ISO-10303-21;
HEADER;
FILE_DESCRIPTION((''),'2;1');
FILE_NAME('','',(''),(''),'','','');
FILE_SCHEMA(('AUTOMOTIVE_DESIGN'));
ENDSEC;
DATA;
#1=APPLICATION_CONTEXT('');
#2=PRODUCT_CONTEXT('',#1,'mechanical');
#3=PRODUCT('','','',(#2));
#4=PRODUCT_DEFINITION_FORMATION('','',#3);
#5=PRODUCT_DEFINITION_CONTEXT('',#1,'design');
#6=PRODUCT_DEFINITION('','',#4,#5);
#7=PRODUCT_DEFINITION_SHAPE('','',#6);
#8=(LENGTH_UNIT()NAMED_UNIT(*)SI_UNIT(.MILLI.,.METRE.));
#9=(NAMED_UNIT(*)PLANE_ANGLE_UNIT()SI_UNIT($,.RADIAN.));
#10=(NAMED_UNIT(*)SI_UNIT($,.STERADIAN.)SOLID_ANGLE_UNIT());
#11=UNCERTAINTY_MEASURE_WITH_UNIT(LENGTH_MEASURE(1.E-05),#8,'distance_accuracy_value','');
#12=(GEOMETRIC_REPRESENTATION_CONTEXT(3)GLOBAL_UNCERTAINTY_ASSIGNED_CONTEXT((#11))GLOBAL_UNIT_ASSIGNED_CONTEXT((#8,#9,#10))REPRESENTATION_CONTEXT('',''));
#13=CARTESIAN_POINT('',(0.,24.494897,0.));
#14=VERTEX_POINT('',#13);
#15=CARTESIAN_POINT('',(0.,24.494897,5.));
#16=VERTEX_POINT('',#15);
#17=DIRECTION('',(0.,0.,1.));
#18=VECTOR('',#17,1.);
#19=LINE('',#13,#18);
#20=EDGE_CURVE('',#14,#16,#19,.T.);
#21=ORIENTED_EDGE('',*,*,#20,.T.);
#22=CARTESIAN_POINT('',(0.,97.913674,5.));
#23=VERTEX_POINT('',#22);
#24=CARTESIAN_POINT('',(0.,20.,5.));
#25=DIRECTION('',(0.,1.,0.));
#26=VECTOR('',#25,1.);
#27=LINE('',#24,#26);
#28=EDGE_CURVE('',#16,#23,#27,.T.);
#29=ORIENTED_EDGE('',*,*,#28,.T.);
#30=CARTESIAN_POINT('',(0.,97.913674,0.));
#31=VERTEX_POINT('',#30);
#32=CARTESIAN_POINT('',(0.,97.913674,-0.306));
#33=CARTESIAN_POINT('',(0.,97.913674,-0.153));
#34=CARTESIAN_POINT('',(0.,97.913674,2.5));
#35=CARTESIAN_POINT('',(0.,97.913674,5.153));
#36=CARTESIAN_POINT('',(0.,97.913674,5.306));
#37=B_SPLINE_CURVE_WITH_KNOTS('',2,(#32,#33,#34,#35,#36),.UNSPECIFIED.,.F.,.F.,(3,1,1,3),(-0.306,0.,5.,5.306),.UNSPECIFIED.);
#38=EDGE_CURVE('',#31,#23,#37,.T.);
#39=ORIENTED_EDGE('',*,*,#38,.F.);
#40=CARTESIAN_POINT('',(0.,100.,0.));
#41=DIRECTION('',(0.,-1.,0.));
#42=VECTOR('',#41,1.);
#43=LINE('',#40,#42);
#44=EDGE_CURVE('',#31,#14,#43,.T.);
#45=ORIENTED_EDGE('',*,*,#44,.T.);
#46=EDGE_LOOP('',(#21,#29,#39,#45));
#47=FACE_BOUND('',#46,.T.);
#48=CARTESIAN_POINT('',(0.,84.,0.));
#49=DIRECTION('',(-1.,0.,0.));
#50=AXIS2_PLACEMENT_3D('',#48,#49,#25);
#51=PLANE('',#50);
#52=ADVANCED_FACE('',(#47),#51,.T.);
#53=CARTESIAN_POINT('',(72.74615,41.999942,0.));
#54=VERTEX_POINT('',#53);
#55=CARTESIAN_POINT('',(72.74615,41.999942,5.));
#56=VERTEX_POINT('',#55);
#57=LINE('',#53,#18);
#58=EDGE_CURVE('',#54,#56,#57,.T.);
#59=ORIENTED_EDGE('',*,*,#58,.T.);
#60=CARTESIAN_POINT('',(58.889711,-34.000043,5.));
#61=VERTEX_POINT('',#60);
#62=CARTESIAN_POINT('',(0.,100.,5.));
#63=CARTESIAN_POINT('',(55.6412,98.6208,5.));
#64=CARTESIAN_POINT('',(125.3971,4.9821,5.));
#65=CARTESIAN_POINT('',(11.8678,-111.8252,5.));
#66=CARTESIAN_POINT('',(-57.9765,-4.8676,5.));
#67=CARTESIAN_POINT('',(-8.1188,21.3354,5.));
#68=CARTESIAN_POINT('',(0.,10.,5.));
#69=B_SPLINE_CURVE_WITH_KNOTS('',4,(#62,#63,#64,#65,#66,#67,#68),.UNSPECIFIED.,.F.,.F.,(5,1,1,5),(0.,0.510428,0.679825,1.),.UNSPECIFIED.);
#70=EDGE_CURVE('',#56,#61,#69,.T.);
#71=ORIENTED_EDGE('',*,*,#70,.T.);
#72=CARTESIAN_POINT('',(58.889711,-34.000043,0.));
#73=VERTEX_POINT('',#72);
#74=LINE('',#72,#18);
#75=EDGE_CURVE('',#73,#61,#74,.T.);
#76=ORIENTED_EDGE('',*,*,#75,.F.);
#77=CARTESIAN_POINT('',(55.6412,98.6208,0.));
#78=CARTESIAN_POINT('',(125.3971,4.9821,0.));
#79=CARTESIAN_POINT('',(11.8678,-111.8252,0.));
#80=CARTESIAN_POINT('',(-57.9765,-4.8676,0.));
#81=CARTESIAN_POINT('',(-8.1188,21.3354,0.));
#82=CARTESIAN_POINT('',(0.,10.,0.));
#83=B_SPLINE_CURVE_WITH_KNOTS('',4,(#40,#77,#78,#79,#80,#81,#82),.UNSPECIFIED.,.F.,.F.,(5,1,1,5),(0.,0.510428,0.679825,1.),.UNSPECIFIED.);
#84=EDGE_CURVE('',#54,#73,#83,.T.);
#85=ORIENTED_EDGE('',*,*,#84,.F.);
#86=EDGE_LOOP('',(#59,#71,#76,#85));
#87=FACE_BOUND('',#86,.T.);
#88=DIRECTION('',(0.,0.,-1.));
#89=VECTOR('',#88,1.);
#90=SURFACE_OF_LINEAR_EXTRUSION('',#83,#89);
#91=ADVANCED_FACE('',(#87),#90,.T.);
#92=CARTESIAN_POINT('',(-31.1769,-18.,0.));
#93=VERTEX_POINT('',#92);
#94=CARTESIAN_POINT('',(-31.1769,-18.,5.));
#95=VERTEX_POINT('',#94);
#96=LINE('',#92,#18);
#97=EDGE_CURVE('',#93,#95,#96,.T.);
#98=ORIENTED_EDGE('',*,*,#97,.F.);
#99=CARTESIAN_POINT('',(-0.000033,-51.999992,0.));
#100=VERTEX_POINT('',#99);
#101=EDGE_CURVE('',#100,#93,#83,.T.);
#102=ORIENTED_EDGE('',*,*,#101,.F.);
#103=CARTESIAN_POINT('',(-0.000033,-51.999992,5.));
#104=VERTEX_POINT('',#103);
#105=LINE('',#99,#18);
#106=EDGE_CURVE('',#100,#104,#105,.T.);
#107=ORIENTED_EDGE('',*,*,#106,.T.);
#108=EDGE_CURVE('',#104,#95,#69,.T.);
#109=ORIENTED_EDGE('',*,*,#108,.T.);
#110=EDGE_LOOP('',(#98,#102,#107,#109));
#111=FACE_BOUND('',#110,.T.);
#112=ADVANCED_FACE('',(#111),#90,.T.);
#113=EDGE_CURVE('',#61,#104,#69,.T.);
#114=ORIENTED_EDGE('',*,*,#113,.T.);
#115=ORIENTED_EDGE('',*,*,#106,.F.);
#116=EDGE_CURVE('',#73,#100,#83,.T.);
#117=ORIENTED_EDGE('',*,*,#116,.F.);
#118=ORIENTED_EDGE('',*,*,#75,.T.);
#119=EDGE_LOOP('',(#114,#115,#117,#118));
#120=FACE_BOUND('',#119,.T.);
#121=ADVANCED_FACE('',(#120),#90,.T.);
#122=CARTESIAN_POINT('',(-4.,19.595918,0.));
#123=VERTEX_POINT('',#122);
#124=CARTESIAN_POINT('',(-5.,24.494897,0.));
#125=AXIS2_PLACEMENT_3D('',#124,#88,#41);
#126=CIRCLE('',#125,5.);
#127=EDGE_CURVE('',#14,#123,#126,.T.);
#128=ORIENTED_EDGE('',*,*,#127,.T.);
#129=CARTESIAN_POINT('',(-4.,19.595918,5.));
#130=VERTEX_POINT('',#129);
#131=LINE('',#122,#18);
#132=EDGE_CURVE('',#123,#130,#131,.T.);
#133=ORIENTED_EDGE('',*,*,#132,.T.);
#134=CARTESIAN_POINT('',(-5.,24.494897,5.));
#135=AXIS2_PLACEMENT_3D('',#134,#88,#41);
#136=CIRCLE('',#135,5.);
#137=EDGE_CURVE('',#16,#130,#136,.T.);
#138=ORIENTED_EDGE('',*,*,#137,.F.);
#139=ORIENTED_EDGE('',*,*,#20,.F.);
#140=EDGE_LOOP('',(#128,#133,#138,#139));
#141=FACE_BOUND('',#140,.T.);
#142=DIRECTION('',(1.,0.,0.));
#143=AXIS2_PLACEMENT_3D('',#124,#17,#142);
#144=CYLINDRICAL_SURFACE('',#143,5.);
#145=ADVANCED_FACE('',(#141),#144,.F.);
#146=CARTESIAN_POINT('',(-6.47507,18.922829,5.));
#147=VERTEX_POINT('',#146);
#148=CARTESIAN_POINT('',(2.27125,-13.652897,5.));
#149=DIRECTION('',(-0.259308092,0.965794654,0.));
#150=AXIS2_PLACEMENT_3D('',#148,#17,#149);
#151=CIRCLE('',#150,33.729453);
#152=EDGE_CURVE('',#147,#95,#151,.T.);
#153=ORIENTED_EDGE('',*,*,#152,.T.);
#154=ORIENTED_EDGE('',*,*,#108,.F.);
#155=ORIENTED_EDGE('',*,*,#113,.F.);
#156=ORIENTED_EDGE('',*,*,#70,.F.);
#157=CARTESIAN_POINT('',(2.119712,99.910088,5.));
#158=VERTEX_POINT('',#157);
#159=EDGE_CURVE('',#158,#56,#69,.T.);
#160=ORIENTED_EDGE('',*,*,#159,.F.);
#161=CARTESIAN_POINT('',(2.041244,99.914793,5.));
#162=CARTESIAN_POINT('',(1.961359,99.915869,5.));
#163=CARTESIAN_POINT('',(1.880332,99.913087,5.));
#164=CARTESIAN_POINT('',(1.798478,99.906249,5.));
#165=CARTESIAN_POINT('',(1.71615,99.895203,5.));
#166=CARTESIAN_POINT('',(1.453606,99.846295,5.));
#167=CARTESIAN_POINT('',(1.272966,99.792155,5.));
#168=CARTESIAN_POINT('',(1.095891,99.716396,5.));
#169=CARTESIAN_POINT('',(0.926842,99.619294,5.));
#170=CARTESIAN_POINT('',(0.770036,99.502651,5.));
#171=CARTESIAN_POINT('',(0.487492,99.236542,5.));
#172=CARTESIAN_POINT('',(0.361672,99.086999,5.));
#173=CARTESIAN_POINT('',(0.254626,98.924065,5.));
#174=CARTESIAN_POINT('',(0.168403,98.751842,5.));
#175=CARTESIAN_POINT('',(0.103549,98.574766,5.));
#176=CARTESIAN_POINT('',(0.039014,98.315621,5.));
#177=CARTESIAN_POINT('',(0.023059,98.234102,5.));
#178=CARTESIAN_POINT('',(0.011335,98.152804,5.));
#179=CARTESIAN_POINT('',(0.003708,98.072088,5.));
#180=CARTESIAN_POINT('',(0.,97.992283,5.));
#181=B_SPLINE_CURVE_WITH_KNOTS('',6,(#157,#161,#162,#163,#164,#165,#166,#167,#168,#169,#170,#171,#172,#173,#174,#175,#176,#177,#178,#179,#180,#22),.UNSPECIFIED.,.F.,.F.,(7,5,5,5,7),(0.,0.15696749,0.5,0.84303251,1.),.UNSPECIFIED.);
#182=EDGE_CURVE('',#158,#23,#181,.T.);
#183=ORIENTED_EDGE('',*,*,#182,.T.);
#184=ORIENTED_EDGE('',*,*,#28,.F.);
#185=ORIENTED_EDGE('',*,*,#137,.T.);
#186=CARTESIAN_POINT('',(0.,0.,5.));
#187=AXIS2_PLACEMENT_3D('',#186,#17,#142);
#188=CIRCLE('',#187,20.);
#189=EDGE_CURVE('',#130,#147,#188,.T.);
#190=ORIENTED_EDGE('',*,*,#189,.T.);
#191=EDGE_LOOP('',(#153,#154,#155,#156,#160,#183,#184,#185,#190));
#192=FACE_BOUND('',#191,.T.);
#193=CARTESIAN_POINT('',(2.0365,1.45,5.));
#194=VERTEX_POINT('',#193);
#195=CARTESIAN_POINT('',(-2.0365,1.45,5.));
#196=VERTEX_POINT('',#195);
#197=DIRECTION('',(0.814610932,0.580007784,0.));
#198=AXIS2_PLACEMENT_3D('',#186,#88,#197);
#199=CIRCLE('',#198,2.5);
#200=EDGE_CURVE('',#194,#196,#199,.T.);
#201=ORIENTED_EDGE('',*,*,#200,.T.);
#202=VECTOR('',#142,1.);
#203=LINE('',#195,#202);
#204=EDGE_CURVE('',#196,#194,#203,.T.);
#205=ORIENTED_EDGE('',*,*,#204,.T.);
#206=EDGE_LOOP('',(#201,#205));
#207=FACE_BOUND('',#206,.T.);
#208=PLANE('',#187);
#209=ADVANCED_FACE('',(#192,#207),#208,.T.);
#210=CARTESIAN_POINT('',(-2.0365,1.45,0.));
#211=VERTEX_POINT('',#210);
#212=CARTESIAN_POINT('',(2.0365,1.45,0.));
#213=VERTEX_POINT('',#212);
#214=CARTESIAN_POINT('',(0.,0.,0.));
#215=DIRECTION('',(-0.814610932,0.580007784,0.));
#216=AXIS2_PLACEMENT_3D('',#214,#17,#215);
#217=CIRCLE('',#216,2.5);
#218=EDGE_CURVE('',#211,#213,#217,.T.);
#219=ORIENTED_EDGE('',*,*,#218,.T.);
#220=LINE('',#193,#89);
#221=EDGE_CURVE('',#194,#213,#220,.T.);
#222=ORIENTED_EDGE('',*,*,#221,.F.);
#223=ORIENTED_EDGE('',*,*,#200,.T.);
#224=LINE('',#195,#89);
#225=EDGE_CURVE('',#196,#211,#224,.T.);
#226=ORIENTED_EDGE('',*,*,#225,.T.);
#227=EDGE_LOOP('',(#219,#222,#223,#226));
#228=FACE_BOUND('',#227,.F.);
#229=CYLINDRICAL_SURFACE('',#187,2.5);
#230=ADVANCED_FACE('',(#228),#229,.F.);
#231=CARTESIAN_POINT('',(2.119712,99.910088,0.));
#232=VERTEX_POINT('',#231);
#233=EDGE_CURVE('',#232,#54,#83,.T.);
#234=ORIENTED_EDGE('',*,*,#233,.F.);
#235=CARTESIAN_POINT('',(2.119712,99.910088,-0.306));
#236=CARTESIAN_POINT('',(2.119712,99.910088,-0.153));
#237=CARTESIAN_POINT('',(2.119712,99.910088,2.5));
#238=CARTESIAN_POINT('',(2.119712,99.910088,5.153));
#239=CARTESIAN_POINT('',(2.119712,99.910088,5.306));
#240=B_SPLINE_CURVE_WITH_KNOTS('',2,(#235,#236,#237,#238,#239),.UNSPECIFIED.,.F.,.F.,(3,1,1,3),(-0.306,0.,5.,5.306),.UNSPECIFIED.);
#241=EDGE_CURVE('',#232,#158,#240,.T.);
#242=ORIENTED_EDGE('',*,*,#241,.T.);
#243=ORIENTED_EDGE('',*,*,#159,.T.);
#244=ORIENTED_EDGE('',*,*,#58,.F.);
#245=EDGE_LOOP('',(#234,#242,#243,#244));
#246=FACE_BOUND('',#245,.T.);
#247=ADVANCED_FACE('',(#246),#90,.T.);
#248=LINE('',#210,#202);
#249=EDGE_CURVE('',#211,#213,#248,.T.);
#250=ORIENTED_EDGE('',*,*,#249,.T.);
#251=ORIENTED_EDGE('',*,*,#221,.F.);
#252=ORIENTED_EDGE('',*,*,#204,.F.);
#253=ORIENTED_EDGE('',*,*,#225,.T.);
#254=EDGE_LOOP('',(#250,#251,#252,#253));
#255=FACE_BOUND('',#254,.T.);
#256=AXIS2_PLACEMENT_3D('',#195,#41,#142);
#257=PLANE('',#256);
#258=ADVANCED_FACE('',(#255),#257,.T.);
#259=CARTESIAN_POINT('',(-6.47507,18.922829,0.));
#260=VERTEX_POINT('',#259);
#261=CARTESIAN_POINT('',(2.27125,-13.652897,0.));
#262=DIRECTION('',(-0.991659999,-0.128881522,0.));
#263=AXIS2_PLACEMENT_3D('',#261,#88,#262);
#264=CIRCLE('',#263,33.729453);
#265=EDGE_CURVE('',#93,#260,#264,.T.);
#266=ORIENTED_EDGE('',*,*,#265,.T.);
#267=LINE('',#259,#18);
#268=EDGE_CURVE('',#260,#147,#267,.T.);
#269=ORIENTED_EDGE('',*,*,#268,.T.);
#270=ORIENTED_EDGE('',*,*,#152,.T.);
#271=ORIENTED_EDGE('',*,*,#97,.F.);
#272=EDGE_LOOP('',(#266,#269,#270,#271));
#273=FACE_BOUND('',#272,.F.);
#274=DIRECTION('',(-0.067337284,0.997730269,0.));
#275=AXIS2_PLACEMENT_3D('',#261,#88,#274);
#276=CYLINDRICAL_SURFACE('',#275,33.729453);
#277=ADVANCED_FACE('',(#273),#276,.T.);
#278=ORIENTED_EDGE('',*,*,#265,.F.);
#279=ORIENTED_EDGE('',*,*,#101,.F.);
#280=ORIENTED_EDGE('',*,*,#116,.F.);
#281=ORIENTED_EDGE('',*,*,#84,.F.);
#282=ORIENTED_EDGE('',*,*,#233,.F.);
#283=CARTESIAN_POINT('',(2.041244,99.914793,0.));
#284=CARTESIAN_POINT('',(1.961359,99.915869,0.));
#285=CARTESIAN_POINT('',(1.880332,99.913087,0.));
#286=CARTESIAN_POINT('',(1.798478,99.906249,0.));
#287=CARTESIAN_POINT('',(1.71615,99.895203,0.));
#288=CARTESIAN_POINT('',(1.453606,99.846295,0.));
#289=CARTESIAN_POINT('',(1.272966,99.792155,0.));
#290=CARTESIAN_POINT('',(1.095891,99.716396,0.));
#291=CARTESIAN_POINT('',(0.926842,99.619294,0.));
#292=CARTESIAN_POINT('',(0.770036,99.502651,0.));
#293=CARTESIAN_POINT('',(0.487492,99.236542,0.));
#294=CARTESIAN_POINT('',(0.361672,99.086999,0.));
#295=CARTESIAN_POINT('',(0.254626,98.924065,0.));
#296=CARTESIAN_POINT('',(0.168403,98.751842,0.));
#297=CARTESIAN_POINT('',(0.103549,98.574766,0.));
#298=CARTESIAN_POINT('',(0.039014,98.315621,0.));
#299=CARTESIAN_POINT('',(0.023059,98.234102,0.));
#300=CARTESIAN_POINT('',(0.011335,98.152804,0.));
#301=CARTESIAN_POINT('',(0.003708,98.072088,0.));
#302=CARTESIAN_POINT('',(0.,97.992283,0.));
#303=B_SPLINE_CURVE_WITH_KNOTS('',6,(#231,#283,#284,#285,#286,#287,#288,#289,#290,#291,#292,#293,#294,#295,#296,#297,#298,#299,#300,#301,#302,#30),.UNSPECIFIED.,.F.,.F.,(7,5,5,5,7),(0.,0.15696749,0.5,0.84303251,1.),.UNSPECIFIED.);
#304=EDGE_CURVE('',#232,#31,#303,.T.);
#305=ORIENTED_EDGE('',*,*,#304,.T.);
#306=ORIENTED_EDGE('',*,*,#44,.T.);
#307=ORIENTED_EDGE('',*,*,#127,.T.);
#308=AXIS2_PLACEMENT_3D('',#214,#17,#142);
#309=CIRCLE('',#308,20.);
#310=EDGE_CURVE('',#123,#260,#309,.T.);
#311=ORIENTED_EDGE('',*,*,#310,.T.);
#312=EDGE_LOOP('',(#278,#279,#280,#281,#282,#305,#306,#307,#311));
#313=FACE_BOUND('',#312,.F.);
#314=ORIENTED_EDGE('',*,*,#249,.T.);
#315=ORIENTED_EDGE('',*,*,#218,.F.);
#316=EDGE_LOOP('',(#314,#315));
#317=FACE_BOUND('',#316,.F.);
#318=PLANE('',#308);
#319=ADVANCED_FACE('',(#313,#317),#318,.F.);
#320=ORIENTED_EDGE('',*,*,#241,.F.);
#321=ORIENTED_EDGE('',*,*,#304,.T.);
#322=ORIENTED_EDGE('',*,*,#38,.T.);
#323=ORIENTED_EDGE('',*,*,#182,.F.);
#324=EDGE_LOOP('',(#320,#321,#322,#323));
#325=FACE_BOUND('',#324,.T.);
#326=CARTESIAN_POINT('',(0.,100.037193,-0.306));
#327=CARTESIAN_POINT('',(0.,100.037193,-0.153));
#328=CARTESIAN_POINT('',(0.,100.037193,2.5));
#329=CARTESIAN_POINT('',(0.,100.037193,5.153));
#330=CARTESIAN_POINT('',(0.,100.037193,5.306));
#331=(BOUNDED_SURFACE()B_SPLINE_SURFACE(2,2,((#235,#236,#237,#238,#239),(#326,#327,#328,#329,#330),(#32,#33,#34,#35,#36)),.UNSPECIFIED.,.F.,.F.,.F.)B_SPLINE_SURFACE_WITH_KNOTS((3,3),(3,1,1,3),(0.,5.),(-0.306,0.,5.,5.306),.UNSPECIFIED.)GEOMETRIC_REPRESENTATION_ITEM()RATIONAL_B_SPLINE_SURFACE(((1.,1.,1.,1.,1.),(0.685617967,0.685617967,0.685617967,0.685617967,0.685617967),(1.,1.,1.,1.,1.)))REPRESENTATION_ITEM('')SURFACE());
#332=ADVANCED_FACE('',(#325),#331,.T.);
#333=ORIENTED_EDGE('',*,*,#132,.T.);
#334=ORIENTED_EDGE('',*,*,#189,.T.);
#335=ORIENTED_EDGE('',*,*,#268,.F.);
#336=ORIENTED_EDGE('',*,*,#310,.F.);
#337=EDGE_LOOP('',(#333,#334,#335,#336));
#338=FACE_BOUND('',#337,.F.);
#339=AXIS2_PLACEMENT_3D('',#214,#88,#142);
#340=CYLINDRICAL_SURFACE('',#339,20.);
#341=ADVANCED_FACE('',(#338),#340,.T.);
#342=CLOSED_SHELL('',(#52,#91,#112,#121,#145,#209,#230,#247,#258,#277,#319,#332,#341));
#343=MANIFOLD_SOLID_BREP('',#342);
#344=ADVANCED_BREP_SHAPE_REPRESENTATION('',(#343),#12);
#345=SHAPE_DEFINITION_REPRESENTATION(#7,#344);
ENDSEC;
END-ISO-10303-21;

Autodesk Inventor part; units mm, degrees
ref_plane "YZ Plane" through (0, 0, 0) normal (1, 0, 0) x (0, 1, 0)
ref_plane "XZ Plane" through (0, 0, 0) normal (0, 1, 0) x (-1, 0, 0)
ref_plane "XY Plane" through (0, 0, 0) normal (0, 0, 1) x (1, 0, 0)
sketch "Sketch1" plane through (0, 0, 0) normal (0, 0, 1) x (1, 0, 0)
  circle A0 centre (0, 0) radius 100
  circle A1 centre (0, 0) radius 20
  arc A2 (72.7461, -42) -> (0, 84) centre (0, 0) ccw
  arc A3 (0, -68) -> (0, 68) centre (0, 0) ccw
  arc A4 (-31.1769, 18) -> (31.1769, 18) centre (0, 0) ccw
  arc A5 (-45.0333, -26) -> (45.0333, 26) centre (0, 0) ccw
  line L0 (0, 0) -> (0, 100)
  line L1 (0, 0) -> (-86.6025, 50)
  line L2 (0, 0) -> (-86.6025, -50)
  line L3 (0, 0) -> (0, -100)
  line L4 (0, 0) -> (86.6025, -50)
  line L5 (0, 0) -> (86.6025, 50)
  spline S0 degree 3 poles (0, 84) (73.4224, 56.463) (45.742, -47.7639) (0, -20) knots 0 0 0 0 1 1 1 1
  circle A6 centre (0, 0) radius 10
  spline S1 degree 4 poles (0, 100) (55.6412, 98.6208) (125.3971, 4.9821) (11.8678, -111.8252) (-57.9765, -4.8676) (-8.1188, 21.3354) (0, 10) knots 0 0 0 0 0 0.510428 0.679825 1 1 1 1 1
  arc A7 (0, 20) -> (-31.1769, -18) centre (2.2712, -13.6528) ccw
  point P0 (31.1769, -18)
  point P1 (17.3205, 10)
  point P2 (8.6603, 5)
  point P3 (17.3205, 10)
  point P4 (72.7461, 42)
  point P5 (58.8897, -34)
  point P6 (0, -52)
  point P7 (-17.3205, 10)
  point P8 (0, 20)
  point P9 (-6.4749, 18.9229)
  dimension "d0" = 200
  dimension "d24" = 20
  dimension "d1" = 40
  dimension "d2" = 168
  dimension "d3" = 136
  dimension "d4" = 104
  dimension "d5" = 72
  dimension "d9" = 360
extrude "Extrusion1" add sketch "Sketch1" along normal blind 5 contours S1 A2 L0 | L5 A3 S0 A2 | S1 A3 L5 | S0 A3 L0 | L5 S0 A3 | A3 L4 A5 L5 | S1 A5 L4 | A3 S0 L5 A1 L0 | S0 A4 L5 | A5 L4 S0 | A5 L3 A4 L4 | S1 A4 L3 | L2 A1 L3 A4 | S1 A1 L2 | A7 L1 S1 | A7 A1 L1 | A7 A1 | A1 L5 A6 L0 | L0 S1 A1 A7 | A4 L4 A1 L5 | S0 A1 L4 | A4 L3 S0 | L2 A6 L3 A1 | A1 L1 A6 L2 | S1 A6 L1 | A1 L4 A6 L5 | A6 L5 L0 | L0 L1 A6 | A1 L3 A6 L4 | A6 L1 L2 | L2 L3 A6 | A6 L4 L5 | L4 A6 L3
fillet "Fillet1" radius 2 1 edges at (0, 100, 2.5)
sketch "Sketch3" plane through (0, 0, 5) normal (0, 0, 1) x (1, 0, 0)
  circle A0 centre (0, 0) radius 2.5
  line L0 (-2.0365, 1.45) -> (2.0365, 1.45)
  dimension "d19" = 5
  dimension "d20" = 1.45
extrude "Extrusion3" cut sketch "Sketch3" against normal blind 5 contours A0 L0 picked at (-0.0619, 0.1356)
fillet "Fillet6" radius 5 1 edges at (0, 20, 2.5)
equation "\"d2\" = 0.8 * d0 + 0.2 * d1"
equation "\"d3\" = 0.6 * d0 + 0.4 * d1"
equation "\"d4\" = 0.4 * d0 + 0.6 * d1"
equation "\"d5\" = 0.2 * d0 + 0.8 * d1"
properties part number "Cam_arche1"
